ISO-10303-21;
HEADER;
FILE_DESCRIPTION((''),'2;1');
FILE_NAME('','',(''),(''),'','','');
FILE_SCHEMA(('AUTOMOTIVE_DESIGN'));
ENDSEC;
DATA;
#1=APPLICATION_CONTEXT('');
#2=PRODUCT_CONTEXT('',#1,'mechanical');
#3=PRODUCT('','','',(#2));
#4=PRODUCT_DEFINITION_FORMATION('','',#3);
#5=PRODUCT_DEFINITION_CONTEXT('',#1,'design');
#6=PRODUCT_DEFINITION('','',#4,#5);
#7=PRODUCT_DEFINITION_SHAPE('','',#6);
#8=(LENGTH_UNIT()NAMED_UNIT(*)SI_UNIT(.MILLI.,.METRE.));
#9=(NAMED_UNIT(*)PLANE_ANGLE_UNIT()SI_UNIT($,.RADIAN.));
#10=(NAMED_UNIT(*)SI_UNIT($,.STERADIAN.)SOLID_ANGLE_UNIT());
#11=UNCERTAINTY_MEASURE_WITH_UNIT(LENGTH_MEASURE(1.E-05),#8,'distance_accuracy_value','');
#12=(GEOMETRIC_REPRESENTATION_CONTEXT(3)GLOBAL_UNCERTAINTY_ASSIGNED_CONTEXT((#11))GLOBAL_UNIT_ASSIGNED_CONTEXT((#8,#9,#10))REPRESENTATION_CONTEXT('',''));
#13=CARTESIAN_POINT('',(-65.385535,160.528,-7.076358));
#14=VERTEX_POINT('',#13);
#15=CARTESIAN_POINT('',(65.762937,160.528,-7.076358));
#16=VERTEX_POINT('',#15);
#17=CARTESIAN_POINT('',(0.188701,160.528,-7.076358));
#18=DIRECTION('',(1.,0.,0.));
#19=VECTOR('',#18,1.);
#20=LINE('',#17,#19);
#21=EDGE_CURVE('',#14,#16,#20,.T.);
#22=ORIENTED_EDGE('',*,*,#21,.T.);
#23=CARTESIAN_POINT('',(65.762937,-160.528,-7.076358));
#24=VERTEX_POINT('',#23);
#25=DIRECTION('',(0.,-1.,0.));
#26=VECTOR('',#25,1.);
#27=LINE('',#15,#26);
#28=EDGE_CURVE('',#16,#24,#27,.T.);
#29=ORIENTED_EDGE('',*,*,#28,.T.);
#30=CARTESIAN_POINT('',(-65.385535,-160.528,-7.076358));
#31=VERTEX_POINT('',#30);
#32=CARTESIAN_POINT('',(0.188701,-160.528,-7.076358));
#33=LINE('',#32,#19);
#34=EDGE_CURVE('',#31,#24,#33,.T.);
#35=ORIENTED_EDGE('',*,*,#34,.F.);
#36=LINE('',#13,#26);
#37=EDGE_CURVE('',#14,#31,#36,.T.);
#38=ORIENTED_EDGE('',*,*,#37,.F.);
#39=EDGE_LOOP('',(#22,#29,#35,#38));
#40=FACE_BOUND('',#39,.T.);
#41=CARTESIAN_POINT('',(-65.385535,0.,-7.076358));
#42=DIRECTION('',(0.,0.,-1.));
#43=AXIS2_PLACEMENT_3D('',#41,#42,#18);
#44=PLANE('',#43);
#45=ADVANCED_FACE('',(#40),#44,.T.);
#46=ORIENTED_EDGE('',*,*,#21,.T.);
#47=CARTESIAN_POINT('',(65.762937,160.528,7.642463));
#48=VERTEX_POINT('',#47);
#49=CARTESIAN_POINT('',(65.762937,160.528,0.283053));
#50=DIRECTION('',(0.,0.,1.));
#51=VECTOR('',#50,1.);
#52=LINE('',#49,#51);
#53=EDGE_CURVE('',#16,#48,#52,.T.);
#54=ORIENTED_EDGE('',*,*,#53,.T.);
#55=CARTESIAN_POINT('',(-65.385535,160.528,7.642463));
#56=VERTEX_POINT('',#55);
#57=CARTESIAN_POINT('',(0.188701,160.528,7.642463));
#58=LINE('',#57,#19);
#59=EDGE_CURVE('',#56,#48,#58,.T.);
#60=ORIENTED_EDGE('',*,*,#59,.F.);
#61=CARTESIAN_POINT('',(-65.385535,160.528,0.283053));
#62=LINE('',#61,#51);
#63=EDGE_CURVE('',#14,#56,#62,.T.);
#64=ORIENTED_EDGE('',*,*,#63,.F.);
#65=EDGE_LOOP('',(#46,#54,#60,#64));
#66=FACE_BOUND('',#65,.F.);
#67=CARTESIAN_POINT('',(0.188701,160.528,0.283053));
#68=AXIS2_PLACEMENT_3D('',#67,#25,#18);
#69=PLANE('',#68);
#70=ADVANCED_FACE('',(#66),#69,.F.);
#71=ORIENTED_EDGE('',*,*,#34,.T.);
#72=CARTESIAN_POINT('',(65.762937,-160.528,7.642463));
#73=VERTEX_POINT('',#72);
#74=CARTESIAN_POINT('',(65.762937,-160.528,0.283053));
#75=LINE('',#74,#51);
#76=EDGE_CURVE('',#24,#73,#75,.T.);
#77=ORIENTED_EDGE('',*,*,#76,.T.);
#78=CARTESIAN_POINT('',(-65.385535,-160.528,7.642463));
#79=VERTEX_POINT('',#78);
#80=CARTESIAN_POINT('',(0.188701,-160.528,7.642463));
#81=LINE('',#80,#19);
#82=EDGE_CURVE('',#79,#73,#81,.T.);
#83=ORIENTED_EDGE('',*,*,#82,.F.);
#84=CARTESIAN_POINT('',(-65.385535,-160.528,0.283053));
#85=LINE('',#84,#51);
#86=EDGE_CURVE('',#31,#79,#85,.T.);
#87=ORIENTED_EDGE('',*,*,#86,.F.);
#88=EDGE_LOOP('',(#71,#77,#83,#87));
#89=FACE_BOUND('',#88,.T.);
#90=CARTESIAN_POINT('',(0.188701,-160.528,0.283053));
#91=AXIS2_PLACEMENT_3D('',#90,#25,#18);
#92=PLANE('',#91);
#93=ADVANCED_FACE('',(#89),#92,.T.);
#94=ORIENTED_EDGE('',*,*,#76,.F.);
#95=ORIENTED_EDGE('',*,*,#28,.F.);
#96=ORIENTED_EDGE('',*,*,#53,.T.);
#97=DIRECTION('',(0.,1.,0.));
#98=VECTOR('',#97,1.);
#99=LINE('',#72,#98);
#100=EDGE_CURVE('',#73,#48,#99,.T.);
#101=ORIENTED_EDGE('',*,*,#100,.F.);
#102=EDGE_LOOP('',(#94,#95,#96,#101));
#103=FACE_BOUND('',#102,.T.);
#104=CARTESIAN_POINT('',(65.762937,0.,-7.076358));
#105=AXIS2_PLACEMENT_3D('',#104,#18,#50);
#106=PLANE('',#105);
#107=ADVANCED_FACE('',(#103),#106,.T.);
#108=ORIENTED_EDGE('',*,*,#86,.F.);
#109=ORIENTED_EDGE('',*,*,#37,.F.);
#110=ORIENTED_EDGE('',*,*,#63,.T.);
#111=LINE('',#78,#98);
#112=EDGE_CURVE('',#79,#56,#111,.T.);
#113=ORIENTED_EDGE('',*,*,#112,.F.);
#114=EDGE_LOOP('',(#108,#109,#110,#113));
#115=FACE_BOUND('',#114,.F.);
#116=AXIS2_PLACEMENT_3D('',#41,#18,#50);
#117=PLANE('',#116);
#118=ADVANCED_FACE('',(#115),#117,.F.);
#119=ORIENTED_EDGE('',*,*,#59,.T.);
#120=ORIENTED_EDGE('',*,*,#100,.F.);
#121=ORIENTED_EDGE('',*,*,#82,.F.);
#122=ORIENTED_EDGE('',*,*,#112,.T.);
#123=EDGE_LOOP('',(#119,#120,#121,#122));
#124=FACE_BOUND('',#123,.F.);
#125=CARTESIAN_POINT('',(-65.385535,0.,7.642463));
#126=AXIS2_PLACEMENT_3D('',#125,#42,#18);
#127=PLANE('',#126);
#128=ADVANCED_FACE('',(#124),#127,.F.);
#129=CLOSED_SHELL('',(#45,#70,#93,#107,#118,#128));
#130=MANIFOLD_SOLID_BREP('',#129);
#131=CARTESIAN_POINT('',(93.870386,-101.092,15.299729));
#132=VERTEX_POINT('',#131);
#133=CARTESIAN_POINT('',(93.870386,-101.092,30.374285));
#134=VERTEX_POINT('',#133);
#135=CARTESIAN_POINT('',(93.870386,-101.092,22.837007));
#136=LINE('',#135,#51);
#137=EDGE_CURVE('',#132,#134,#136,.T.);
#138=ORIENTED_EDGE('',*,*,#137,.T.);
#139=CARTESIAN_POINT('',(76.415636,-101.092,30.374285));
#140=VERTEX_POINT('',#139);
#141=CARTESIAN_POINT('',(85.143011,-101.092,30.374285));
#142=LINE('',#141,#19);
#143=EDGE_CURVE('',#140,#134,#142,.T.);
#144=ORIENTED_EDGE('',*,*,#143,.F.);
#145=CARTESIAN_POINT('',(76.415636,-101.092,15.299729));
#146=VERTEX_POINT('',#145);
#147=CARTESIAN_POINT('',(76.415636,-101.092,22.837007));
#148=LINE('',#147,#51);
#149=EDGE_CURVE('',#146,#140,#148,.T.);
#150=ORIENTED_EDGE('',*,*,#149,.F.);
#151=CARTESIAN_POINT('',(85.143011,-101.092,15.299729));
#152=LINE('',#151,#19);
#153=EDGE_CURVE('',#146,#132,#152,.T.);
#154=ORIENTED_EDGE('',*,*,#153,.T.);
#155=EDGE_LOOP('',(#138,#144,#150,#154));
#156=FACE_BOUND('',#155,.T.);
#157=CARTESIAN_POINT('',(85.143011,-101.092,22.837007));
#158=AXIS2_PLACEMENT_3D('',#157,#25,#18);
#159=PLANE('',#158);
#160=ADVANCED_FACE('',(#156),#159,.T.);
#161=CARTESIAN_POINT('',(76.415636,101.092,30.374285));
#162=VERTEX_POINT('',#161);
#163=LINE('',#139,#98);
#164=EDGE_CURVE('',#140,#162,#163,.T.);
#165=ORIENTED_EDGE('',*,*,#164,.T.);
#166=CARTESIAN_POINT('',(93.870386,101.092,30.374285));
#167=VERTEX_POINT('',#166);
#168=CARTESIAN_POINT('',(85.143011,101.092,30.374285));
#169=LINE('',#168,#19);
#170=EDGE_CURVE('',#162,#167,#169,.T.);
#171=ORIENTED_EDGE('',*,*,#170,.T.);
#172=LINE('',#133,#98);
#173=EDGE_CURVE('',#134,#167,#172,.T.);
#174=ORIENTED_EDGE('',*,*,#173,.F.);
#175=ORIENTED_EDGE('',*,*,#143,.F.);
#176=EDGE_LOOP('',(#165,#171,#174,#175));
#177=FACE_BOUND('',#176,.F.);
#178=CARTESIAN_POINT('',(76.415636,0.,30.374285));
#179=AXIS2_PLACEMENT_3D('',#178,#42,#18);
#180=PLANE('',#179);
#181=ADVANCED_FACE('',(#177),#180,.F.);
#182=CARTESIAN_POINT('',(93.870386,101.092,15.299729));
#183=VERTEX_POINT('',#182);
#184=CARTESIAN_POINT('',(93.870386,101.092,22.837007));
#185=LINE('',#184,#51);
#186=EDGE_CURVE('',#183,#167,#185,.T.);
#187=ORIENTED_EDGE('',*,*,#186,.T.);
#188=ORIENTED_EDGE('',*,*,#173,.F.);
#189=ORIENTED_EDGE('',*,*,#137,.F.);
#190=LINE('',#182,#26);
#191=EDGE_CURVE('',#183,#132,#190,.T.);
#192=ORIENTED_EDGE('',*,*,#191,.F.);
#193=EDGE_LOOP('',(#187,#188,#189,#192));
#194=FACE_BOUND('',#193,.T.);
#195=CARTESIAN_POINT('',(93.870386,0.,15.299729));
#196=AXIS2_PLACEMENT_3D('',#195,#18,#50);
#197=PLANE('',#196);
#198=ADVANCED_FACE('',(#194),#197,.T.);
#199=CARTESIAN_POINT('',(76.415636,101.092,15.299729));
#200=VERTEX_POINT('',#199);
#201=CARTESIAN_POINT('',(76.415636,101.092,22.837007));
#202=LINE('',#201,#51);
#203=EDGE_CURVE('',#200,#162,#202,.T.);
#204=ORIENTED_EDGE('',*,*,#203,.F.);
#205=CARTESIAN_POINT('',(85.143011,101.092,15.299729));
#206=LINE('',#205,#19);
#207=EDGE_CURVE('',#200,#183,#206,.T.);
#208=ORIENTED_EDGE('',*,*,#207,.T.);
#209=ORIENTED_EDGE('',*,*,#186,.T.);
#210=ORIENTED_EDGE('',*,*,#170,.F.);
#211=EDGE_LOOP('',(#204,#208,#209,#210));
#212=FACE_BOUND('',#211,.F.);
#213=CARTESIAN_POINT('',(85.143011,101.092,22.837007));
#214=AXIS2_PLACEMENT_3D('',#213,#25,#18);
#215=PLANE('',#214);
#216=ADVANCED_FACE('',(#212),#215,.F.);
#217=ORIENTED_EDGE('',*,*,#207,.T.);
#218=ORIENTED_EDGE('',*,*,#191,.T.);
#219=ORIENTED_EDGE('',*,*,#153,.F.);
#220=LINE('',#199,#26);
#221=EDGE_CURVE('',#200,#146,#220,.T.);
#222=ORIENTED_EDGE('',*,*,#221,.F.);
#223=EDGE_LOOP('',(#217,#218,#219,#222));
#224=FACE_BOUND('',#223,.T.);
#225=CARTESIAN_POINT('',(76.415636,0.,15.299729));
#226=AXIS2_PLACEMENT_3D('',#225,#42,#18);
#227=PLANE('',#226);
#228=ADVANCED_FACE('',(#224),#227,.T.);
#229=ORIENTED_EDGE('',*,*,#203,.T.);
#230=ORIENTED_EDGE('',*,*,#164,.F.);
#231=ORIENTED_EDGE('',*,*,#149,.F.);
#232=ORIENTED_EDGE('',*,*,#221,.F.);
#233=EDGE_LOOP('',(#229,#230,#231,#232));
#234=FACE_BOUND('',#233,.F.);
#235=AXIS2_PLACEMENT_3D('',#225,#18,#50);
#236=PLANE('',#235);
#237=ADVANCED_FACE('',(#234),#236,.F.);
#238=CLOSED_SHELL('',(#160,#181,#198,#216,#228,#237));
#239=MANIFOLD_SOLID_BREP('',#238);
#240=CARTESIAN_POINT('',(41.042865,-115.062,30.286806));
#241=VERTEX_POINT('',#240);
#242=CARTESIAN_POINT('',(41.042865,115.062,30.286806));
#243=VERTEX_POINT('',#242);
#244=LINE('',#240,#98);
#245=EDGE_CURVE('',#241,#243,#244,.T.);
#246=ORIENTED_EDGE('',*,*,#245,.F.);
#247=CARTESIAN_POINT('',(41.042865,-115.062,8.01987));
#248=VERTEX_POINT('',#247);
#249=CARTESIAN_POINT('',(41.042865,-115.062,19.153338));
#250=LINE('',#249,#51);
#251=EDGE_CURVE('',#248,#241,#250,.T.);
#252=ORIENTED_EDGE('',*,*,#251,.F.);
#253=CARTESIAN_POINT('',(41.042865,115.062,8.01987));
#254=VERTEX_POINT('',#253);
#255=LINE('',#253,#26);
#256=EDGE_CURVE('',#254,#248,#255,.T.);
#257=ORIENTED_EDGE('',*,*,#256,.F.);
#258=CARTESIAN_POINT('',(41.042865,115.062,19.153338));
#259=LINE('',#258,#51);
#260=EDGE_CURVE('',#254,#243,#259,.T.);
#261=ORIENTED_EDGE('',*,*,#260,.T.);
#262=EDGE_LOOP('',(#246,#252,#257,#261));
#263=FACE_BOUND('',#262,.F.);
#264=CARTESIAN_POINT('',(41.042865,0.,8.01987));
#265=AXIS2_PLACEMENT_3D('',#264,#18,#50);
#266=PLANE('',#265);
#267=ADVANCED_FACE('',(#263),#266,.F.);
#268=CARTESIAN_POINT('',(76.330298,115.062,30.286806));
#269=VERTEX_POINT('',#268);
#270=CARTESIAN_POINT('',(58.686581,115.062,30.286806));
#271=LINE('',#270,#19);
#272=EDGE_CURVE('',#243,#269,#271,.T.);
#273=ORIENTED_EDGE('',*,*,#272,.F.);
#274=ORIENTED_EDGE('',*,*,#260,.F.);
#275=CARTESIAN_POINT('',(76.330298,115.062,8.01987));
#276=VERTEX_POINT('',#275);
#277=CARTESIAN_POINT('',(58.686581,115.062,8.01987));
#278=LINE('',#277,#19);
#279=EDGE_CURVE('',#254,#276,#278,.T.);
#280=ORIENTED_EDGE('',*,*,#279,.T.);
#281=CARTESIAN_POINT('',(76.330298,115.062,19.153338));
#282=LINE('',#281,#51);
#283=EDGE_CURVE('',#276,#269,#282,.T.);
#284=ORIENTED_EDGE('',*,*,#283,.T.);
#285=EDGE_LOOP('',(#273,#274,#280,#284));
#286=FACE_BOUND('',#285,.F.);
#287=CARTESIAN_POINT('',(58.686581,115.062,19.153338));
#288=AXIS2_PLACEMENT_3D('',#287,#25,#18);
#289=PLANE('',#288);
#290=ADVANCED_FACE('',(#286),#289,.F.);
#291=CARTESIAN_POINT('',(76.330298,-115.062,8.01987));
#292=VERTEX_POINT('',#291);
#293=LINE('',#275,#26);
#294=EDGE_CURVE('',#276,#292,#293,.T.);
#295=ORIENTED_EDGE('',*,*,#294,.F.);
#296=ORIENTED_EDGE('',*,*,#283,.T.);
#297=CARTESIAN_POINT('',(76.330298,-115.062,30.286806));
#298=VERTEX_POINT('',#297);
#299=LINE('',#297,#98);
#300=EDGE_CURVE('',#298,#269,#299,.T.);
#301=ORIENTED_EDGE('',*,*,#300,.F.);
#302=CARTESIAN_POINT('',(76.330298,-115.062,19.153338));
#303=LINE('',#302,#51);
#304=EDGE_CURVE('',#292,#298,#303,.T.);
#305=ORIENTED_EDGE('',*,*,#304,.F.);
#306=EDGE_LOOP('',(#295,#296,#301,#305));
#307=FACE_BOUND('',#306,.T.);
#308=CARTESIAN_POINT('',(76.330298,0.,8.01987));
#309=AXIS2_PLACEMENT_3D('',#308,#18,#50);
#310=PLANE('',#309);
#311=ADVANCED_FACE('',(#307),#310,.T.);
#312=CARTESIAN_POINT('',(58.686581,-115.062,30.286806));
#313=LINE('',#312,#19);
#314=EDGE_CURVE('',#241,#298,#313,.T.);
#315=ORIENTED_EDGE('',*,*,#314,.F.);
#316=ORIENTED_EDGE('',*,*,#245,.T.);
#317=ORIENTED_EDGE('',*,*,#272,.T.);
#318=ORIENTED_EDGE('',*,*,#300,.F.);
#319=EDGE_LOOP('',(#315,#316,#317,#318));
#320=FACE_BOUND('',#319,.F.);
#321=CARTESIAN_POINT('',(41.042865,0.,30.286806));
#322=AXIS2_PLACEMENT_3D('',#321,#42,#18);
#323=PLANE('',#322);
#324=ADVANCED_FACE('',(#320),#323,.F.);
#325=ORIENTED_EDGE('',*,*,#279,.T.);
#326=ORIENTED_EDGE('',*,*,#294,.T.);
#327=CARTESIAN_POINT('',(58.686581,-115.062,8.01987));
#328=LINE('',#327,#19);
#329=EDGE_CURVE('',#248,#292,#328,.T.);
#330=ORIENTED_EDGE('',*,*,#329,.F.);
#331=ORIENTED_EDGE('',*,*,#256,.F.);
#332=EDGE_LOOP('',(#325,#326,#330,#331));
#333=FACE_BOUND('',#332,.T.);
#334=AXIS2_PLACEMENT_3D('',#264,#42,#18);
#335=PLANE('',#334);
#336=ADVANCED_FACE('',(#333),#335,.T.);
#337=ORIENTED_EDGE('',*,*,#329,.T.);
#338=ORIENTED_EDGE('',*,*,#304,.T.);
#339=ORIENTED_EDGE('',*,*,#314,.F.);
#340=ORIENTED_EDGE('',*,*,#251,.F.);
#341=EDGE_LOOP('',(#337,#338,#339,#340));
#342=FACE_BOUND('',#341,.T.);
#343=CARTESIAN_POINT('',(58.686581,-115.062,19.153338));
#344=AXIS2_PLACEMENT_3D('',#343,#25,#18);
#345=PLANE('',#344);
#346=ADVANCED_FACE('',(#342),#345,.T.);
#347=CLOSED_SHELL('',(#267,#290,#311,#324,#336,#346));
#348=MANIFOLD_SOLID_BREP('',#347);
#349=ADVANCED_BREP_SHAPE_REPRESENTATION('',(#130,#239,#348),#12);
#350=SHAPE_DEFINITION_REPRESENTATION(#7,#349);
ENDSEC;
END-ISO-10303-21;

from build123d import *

# Parameters (mm, degrees)
F0_W     = 131.148472
F0_H     = 14.718821
F4_DEPTH = 160.528
F1_W     = 35.287433
F1_H     = 22.266936
F5_DEPTH = 115.062
F6_W     = 17.45475
F6_H     = 15.074555
F7_DEPTH = 101.092


with BuildPart() as f4:
    # F0 (on Front) → F4 (new body, symmetric)
    with BuildSketch(Plane.XZ):
        with Locations((0.188701, 0.283053)):
            Rectangle(F0_W, F0_H)
    extrude(amount=F4_DEPTH, both=True)


with BuildPart() as f5:
    # F1 (on Front) → F5 (new body, symmetric)
    with BuildSketch(Plane.XZ):
        with Locations((58.686581, 19.153338)):
            Rectangle(F1_W, F1_H)
    extrude(amount=F5_DEPTH, both=True)


with BuildPart() as f7:
    # F6 (on face) → F7 (new body, symmetric)
    with BuildSketch(Plane.XZ):
        with Locations((85.143011, 22.837007)):
            Rectangle(F6_W, F6_H)
    extrude(amount=F7_DEPTH, both=True)


solid = Compound([f4.part, f5.part, f7.part])
